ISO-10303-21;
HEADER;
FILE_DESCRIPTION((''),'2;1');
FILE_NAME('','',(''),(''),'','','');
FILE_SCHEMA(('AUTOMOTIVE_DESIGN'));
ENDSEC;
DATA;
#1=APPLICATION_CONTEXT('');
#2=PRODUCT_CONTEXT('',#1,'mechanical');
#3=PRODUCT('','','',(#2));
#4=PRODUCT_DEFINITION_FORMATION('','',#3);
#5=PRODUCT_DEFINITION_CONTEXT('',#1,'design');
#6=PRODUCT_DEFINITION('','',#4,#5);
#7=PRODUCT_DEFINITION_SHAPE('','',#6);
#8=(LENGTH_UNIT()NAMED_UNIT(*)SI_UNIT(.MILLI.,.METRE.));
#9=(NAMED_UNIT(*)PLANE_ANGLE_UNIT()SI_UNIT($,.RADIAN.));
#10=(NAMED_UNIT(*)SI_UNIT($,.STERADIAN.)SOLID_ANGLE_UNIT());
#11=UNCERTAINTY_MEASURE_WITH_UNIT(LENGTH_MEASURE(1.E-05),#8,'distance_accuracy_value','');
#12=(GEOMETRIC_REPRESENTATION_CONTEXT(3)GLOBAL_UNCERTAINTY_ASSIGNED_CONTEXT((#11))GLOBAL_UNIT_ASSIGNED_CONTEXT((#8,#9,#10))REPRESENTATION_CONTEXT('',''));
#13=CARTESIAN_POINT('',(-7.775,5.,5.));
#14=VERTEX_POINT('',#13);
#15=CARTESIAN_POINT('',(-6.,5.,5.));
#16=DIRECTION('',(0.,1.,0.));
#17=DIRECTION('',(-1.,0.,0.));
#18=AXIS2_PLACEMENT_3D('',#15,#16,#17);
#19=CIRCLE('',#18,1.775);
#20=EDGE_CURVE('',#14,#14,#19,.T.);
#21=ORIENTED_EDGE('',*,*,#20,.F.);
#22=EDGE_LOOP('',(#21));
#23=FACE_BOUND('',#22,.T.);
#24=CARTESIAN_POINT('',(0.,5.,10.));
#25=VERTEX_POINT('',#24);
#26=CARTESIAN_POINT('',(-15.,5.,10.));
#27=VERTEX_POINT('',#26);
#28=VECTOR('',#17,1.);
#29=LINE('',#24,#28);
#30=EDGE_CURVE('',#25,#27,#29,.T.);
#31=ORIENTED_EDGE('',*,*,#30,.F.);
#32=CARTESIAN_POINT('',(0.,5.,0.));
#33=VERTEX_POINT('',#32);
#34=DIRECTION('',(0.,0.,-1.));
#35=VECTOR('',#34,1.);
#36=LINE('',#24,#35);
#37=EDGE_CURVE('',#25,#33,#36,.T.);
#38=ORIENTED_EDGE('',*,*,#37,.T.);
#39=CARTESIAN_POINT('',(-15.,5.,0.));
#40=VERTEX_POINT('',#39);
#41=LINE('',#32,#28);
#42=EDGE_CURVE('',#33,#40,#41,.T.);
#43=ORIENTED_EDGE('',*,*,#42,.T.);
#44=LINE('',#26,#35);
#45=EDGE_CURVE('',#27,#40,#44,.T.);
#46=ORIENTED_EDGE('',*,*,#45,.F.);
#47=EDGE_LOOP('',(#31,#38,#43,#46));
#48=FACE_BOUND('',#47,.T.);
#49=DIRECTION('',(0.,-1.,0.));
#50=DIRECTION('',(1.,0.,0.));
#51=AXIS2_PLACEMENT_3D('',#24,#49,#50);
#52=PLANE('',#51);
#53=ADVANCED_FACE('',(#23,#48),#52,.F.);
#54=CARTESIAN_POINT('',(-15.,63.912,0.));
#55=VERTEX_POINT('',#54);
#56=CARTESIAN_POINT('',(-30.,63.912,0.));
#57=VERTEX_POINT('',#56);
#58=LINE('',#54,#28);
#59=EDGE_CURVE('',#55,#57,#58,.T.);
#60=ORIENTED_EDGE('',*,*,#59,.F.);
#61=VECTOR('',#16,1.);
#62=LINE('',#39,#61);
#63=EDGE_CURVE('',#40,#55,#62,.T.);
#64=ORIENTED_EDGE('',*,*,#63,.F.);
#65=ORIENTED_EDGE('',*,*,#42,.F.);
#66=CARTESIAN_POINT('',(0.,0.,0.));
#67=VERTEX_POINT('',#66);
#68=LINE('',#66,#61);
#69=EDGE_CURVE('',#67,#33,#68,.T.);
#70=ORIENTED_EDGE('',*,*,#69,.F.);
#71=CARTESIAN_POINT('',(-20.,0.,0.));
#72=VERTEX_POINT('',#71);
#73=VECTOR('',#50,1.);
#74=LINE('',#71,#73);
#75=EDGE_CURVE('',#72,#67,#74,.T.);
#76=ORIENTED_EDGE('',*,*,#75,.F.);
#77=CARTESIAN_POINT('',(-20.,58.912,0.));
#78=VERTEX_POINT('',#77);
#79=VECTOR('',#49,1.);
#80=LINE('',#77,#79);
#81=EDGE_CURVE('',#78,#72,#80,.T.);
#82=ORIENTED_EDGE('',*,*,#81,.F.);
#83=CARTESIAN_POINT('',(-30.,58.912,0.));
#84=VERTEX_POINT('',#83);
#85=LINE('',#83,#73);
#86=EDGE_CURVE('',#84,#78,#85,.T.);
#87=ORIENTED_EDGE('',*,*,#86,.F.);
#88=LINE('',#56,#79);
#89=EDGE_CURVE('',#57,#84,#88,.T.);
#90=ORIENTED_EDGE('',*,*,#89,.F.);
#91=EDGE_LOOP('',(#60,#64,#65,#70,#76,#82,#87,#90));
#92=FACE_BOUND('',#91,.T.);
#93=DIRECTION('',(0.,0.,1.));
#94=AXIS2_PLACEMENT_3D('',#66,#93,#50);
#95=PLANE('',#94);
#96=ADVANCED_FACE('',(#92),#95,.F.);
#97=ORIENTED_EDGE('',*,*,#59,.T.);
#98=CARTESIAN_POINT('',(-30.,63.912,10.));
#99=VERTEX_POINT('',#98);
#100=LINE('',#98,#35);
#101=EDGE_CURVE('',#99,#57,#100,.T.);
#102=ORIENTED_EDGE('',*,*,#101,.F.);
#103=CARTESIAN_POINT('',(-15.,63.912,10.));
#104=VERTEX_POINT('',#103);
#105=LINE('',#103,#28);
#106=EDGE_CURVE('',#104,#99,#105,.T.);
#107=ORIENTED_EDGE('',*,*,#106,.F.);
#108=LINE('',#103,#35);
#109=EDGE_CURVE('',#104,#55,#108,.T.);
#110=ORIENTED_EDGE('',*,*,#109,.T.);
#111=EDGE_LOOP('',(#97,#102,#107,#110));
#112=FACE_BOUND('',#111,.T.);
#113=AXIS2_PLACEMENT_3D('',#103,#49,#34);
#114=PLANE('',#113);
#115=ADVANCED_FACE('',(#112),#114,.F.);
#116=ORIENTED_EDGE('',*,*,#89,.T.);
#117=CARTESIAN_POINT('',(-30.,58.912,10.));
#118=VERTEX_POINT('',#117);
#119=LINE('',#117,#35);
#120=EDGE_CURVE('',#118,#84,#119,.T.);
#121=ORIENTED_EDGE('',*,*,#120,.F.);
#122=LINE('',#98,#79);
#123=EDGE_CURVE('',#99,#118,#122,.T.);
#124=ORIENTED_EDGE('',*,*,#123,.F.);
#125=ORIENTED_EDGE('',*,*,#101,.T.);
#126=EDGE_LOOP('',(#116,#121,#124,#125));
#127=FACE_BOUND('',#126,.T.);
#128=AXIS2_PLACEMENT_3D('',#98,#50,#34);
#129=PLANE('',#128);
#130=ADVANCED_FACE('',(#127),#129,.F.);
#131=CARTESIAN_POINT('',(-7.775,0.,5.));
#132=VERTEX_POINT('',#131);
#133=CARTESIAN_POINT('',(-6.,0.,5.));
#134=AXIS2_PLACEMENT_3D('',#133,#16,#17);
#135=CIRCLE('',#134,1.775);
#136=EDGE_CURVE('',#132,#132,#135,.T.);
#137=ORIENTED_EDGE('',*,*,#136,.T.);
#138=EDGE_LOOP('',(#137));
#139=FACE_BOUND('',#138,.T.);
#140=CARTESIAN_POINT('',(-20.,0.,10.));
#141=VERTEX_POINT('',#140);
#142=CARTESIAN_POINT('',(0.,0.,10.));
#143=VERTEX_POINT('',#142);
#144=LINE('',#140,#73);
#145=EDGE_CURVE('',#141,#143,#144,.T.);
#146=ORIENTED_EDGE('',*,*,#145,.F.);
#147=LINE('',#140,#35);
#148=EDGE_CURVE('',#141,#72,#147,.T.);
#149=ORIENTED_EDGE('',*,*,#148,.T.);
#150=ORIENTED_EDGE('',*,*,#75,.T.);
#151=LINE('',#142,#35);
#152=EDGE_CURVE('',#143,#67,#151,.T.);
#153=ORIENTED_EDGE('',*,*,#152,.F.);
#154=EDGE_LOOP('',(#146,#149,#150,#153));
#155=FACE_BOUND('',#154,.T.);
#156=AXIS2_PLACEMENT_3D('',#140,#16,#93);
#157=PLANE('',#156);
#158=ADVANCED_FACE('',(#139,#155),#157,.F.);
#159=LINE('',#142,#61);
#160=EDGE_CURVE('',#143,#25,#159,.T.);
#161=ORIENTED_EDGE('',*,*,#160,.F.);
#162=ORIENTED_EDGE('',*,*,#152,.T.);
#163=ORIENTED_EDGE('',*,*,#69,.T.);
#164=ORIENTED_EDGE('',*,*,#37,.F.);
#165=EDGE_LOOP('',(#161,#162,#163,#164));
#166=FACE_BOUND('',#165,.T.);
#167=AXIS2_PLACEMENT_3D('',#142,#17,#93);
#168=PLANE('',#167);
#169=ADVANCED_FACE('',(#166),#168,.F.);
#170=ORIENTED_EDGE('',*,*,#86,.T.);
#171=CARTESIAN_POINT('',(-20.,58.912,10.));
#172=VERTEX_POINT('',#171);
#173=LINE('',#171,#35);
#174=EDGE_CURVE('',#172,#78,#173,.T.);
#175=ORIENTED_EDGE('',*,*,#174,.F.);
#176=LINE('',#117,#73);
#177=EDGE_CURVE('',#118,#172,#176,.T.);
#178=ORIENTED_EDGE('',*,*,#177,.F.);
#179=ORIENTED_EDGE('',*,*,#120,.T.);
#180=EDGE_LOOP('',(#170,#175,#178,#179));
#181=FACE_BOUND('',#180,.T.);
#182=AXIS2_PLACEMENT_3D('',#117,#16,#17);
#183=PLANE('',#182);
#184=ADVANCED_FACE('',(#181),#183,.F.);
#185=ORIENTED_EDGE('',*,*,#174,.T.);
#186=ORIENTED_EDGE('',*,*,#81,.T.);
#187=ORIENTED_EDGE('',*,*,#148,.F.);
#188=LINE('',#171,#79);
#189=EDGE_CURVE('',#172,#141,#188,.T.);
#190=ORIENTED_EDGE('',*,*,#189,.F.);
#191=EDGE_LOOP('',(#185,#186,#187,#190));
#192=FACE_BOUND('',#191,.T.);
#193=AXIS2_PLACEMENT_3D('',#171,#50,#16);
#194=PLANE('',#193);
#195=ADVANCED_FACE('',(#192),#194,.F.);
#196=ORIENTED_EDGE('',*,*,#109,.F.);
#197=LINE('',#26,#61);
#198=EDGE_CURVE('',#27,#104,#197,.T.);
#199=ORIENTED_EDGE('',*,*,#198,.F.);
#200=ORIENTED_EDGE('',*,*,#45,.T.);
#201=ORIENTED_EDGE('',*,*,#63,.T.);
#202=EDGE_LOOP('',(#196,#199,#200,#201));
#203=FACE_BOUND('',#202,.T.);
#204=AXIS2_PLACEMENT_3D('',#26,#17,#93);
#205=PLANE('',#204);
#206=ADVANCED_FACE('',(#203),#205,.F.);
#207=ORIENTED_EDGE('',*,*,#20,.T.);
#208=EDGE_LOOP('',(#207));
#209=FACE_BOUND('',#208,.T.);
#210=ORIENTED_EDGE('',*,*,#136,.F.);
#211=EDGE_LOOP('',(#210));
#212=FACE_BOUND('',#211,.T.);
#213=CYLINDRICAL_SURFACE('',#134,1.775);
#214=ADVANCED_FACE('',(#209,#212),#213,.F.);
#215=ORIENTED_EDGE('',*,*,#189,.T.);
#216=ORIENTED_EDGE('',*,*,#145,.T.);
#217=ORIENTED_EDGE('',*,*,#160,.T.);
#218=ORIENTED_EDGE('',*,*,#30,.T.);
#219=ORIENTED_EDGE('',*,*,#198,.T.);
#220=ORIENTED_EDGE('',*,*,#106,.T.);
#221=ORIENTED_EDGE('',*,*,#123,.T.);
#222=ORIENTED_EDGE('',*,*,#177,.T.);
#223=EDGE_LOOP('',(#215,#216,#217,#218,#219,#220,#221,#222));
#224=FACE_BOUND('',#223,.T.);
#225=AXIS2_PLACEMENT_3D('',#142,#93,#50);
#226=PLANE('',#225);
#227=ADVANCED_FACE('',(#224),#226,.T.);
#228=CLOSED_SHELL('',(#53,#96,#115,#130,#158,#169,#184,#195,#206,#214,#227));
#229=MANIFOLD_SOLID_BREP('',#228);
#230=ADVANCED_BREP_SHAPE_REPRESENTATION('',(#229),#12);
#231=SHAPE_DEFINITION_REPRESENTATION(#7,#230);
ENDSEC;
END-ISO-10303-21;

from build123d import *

# Parameters (mm, degrees)
BOSS_EXTRUDE1_DEPTH = 10
SKETCH2_R           = 1.775
CUT_EXTRUDE1_DEPTH  = 67.862723127


with BuildPart() as part:
    # Sketch1 → Boss-Extrude1 (new body)
    with BuildSketch(Plane.XY):
        Polygon((0, 0), (0, 5), (-15, 5), (-15, 63.912), (-30, 63.912), (-30, 58.912), (-20, 58.912), (-20, 0), align=None)
    extrude(amount=BOSS_EXTRUDE1_DEPTH)

    # Sketch2 → Cut-Extrude1 (cut, through all)
    with BuildSketch(Plane(origin=(0, 5, 0), x_dir=(1, 0, 0), z_dir=(0, 1, 0))):
        with Locations(Location((-6, -5, 0), (0, 0, 180))):
            Circle(SKETCH2_R)
    extrude(amount=-CUT_EXTRUDE1_DEPTH, mode=Mode.SUBTRACT)


solid = part.part
